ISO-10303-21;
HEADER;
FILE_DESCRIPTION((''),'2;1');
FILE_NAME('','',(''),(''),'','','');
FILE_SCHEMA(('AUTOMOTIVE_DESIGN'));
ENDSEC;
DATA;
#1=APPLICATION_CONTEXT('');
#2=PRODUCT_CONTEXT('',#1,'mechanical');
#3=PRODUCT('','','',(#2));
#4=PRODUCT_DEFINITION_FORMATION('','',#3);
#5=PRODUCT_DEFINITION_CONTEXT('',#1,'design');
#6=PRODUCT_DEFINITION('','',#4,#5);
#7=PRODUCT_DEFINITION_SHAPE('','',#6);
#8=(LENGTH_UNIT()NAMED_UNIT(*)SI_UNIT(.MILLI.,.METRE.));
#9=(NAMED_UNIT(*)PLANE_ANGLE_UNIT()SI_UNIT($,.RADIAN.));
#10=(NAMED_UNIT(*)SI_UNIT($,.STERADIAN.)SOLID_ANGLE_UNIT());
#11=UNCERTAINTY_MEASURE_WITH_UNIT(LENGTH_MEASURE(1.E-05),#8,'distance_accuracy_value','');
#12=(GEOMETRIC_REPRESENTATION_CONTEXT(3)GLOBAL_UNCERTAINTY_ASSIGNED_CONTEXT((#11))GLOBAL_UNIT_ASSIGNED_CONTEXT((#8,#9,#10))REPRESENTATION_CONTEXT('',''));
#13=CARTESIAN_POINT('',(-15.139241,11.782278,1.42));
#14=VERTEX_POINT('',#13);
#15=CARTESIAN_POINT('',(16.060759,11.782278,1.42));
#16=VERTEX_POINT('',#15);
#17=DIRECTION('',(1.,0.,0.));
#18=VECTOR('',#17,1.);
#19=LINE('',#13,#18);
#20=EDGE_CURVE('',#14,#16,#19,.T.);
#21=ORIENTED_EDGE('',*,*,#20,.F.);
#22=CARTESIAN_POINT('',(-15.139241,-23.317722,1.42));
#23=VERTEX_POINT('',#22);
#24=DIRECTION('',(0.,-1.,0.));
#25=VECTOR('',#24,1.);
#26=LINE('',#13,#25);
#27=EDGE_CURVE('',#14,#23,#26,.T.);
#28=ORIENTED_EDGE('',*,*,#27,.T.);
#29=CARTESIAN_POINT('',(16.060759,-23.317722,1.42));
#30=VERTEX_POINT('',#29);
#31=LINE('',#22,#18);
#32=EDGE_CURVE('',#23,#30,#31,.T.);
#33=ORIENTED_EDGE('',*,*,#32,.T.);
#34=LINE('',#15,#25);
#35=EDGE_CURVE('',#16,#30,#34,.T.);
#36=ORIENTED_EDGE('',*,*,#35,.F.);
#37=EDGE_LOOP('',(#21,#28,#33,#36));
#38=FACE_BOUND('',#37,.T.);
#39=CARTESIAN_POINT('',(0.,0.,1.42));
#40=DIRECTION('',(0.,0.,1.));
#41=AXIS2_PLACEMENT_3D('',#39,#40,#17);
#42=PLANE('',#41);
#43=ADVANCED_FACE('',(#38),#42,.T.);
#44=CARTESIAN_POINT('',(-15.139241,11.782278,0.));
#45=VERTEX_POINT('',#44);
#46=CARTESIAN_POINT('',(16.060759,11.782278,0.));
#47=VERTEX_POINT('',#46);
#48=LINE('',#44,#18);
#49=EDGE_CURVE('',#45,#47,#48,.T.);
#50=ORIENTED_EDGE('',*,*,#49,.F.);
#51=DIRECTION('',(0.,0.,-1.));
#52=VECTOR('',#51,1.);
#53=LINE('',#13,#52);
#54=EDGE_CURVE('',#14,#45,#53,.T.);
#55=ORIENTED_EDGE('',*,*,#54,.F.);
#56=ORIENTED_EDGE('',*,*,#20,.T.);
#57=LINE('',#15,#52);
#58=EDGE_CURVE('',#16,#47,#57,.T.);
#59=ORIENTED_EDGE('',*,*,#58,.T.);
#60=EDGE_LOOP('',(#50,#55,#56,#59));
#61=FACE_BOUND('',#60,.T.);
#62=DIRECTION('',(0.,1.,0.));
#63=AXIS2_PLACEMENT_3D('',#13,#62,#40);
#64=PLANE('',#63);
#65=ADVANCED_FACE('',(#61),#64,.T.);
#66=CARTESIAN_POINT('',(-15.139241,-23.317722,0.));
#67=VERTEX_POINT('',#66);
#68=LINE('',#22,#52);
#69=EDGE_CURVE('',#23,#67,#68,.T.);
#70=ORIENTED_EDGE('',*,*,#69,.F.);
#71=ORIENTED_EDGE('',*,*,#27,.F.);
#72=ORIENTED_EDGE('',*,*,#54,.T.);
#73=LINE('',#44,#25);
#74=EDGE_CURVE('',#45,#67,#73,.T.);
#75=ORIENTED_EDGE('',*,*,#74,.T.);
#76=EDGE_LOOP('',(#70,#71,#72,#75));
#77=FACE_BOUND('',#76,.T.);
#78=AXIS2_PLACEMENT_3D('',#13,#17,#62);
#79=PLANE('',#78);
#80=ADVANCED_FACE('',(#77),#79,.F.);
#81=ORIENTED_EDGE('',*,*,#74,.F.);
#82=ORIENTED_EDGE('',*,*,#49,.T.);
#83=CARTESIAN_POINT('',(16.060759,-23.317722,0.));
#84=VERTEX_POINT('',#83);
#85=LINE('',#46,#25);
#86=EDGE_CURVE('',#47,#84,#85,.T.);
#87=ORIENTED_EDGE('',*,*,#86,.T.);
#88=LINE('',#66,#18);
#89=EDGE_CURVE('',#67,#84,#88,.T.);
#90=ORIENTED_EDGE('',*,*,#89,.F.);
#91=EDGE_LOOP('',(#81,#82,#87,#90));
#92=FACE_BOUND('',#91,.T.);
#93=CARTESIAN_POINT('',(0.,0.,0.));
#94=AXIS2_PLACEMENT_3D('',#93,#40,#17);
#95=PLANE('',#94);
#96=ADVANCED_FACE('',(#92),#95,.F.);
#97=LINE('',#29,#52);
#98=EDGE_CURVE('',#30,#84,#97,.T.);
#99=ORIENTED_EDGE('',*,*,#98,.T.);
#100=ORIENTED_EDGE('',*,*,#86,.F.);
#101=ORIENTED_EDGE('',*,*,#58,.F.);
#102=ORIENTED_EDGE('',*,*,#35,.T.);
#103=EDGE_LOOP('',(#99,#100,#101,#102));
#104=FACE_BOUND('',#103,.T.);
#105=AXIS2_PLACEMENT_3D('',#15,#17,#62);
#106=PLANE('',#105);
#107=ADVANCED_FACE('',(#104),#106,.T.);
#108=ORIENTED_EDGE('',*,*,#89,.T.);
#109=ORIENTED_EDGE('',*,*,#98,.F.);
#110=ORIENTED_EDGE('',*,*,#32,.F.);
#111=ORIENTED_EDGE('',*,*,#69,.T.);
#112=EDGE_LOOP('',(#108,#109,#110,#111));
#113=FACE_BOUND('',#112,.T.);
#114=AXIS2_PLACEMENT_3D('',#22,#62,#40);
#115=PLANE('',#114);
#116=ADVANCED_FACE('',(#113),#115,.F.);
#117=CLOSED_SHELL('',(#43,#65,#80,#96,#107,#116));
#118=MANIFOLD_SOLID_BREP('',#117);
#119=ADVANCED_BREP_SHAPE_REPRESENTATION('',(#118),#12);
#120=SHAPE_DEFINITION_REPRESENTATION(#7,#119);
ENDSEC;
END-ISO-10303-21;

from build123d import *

# Parameters (mm, degrees)
SKETCH_1_W      = 31.2
SKETCH_1_H      = 35.1
EXTRUDE_1_DEPTH = 1.42


with BuildPart() as part:
    # 草图1 → 凸台-拉伸1 (new body)
    with BuildSketch(Plane.XY):
        with Locations((0.460759494, -5.767721519)):
            Rectangle(SKETCH_1_W, SKETCH_1_H)
    extrude(amount=EXTRUDE_1_DEPTH)


solid = part.part
